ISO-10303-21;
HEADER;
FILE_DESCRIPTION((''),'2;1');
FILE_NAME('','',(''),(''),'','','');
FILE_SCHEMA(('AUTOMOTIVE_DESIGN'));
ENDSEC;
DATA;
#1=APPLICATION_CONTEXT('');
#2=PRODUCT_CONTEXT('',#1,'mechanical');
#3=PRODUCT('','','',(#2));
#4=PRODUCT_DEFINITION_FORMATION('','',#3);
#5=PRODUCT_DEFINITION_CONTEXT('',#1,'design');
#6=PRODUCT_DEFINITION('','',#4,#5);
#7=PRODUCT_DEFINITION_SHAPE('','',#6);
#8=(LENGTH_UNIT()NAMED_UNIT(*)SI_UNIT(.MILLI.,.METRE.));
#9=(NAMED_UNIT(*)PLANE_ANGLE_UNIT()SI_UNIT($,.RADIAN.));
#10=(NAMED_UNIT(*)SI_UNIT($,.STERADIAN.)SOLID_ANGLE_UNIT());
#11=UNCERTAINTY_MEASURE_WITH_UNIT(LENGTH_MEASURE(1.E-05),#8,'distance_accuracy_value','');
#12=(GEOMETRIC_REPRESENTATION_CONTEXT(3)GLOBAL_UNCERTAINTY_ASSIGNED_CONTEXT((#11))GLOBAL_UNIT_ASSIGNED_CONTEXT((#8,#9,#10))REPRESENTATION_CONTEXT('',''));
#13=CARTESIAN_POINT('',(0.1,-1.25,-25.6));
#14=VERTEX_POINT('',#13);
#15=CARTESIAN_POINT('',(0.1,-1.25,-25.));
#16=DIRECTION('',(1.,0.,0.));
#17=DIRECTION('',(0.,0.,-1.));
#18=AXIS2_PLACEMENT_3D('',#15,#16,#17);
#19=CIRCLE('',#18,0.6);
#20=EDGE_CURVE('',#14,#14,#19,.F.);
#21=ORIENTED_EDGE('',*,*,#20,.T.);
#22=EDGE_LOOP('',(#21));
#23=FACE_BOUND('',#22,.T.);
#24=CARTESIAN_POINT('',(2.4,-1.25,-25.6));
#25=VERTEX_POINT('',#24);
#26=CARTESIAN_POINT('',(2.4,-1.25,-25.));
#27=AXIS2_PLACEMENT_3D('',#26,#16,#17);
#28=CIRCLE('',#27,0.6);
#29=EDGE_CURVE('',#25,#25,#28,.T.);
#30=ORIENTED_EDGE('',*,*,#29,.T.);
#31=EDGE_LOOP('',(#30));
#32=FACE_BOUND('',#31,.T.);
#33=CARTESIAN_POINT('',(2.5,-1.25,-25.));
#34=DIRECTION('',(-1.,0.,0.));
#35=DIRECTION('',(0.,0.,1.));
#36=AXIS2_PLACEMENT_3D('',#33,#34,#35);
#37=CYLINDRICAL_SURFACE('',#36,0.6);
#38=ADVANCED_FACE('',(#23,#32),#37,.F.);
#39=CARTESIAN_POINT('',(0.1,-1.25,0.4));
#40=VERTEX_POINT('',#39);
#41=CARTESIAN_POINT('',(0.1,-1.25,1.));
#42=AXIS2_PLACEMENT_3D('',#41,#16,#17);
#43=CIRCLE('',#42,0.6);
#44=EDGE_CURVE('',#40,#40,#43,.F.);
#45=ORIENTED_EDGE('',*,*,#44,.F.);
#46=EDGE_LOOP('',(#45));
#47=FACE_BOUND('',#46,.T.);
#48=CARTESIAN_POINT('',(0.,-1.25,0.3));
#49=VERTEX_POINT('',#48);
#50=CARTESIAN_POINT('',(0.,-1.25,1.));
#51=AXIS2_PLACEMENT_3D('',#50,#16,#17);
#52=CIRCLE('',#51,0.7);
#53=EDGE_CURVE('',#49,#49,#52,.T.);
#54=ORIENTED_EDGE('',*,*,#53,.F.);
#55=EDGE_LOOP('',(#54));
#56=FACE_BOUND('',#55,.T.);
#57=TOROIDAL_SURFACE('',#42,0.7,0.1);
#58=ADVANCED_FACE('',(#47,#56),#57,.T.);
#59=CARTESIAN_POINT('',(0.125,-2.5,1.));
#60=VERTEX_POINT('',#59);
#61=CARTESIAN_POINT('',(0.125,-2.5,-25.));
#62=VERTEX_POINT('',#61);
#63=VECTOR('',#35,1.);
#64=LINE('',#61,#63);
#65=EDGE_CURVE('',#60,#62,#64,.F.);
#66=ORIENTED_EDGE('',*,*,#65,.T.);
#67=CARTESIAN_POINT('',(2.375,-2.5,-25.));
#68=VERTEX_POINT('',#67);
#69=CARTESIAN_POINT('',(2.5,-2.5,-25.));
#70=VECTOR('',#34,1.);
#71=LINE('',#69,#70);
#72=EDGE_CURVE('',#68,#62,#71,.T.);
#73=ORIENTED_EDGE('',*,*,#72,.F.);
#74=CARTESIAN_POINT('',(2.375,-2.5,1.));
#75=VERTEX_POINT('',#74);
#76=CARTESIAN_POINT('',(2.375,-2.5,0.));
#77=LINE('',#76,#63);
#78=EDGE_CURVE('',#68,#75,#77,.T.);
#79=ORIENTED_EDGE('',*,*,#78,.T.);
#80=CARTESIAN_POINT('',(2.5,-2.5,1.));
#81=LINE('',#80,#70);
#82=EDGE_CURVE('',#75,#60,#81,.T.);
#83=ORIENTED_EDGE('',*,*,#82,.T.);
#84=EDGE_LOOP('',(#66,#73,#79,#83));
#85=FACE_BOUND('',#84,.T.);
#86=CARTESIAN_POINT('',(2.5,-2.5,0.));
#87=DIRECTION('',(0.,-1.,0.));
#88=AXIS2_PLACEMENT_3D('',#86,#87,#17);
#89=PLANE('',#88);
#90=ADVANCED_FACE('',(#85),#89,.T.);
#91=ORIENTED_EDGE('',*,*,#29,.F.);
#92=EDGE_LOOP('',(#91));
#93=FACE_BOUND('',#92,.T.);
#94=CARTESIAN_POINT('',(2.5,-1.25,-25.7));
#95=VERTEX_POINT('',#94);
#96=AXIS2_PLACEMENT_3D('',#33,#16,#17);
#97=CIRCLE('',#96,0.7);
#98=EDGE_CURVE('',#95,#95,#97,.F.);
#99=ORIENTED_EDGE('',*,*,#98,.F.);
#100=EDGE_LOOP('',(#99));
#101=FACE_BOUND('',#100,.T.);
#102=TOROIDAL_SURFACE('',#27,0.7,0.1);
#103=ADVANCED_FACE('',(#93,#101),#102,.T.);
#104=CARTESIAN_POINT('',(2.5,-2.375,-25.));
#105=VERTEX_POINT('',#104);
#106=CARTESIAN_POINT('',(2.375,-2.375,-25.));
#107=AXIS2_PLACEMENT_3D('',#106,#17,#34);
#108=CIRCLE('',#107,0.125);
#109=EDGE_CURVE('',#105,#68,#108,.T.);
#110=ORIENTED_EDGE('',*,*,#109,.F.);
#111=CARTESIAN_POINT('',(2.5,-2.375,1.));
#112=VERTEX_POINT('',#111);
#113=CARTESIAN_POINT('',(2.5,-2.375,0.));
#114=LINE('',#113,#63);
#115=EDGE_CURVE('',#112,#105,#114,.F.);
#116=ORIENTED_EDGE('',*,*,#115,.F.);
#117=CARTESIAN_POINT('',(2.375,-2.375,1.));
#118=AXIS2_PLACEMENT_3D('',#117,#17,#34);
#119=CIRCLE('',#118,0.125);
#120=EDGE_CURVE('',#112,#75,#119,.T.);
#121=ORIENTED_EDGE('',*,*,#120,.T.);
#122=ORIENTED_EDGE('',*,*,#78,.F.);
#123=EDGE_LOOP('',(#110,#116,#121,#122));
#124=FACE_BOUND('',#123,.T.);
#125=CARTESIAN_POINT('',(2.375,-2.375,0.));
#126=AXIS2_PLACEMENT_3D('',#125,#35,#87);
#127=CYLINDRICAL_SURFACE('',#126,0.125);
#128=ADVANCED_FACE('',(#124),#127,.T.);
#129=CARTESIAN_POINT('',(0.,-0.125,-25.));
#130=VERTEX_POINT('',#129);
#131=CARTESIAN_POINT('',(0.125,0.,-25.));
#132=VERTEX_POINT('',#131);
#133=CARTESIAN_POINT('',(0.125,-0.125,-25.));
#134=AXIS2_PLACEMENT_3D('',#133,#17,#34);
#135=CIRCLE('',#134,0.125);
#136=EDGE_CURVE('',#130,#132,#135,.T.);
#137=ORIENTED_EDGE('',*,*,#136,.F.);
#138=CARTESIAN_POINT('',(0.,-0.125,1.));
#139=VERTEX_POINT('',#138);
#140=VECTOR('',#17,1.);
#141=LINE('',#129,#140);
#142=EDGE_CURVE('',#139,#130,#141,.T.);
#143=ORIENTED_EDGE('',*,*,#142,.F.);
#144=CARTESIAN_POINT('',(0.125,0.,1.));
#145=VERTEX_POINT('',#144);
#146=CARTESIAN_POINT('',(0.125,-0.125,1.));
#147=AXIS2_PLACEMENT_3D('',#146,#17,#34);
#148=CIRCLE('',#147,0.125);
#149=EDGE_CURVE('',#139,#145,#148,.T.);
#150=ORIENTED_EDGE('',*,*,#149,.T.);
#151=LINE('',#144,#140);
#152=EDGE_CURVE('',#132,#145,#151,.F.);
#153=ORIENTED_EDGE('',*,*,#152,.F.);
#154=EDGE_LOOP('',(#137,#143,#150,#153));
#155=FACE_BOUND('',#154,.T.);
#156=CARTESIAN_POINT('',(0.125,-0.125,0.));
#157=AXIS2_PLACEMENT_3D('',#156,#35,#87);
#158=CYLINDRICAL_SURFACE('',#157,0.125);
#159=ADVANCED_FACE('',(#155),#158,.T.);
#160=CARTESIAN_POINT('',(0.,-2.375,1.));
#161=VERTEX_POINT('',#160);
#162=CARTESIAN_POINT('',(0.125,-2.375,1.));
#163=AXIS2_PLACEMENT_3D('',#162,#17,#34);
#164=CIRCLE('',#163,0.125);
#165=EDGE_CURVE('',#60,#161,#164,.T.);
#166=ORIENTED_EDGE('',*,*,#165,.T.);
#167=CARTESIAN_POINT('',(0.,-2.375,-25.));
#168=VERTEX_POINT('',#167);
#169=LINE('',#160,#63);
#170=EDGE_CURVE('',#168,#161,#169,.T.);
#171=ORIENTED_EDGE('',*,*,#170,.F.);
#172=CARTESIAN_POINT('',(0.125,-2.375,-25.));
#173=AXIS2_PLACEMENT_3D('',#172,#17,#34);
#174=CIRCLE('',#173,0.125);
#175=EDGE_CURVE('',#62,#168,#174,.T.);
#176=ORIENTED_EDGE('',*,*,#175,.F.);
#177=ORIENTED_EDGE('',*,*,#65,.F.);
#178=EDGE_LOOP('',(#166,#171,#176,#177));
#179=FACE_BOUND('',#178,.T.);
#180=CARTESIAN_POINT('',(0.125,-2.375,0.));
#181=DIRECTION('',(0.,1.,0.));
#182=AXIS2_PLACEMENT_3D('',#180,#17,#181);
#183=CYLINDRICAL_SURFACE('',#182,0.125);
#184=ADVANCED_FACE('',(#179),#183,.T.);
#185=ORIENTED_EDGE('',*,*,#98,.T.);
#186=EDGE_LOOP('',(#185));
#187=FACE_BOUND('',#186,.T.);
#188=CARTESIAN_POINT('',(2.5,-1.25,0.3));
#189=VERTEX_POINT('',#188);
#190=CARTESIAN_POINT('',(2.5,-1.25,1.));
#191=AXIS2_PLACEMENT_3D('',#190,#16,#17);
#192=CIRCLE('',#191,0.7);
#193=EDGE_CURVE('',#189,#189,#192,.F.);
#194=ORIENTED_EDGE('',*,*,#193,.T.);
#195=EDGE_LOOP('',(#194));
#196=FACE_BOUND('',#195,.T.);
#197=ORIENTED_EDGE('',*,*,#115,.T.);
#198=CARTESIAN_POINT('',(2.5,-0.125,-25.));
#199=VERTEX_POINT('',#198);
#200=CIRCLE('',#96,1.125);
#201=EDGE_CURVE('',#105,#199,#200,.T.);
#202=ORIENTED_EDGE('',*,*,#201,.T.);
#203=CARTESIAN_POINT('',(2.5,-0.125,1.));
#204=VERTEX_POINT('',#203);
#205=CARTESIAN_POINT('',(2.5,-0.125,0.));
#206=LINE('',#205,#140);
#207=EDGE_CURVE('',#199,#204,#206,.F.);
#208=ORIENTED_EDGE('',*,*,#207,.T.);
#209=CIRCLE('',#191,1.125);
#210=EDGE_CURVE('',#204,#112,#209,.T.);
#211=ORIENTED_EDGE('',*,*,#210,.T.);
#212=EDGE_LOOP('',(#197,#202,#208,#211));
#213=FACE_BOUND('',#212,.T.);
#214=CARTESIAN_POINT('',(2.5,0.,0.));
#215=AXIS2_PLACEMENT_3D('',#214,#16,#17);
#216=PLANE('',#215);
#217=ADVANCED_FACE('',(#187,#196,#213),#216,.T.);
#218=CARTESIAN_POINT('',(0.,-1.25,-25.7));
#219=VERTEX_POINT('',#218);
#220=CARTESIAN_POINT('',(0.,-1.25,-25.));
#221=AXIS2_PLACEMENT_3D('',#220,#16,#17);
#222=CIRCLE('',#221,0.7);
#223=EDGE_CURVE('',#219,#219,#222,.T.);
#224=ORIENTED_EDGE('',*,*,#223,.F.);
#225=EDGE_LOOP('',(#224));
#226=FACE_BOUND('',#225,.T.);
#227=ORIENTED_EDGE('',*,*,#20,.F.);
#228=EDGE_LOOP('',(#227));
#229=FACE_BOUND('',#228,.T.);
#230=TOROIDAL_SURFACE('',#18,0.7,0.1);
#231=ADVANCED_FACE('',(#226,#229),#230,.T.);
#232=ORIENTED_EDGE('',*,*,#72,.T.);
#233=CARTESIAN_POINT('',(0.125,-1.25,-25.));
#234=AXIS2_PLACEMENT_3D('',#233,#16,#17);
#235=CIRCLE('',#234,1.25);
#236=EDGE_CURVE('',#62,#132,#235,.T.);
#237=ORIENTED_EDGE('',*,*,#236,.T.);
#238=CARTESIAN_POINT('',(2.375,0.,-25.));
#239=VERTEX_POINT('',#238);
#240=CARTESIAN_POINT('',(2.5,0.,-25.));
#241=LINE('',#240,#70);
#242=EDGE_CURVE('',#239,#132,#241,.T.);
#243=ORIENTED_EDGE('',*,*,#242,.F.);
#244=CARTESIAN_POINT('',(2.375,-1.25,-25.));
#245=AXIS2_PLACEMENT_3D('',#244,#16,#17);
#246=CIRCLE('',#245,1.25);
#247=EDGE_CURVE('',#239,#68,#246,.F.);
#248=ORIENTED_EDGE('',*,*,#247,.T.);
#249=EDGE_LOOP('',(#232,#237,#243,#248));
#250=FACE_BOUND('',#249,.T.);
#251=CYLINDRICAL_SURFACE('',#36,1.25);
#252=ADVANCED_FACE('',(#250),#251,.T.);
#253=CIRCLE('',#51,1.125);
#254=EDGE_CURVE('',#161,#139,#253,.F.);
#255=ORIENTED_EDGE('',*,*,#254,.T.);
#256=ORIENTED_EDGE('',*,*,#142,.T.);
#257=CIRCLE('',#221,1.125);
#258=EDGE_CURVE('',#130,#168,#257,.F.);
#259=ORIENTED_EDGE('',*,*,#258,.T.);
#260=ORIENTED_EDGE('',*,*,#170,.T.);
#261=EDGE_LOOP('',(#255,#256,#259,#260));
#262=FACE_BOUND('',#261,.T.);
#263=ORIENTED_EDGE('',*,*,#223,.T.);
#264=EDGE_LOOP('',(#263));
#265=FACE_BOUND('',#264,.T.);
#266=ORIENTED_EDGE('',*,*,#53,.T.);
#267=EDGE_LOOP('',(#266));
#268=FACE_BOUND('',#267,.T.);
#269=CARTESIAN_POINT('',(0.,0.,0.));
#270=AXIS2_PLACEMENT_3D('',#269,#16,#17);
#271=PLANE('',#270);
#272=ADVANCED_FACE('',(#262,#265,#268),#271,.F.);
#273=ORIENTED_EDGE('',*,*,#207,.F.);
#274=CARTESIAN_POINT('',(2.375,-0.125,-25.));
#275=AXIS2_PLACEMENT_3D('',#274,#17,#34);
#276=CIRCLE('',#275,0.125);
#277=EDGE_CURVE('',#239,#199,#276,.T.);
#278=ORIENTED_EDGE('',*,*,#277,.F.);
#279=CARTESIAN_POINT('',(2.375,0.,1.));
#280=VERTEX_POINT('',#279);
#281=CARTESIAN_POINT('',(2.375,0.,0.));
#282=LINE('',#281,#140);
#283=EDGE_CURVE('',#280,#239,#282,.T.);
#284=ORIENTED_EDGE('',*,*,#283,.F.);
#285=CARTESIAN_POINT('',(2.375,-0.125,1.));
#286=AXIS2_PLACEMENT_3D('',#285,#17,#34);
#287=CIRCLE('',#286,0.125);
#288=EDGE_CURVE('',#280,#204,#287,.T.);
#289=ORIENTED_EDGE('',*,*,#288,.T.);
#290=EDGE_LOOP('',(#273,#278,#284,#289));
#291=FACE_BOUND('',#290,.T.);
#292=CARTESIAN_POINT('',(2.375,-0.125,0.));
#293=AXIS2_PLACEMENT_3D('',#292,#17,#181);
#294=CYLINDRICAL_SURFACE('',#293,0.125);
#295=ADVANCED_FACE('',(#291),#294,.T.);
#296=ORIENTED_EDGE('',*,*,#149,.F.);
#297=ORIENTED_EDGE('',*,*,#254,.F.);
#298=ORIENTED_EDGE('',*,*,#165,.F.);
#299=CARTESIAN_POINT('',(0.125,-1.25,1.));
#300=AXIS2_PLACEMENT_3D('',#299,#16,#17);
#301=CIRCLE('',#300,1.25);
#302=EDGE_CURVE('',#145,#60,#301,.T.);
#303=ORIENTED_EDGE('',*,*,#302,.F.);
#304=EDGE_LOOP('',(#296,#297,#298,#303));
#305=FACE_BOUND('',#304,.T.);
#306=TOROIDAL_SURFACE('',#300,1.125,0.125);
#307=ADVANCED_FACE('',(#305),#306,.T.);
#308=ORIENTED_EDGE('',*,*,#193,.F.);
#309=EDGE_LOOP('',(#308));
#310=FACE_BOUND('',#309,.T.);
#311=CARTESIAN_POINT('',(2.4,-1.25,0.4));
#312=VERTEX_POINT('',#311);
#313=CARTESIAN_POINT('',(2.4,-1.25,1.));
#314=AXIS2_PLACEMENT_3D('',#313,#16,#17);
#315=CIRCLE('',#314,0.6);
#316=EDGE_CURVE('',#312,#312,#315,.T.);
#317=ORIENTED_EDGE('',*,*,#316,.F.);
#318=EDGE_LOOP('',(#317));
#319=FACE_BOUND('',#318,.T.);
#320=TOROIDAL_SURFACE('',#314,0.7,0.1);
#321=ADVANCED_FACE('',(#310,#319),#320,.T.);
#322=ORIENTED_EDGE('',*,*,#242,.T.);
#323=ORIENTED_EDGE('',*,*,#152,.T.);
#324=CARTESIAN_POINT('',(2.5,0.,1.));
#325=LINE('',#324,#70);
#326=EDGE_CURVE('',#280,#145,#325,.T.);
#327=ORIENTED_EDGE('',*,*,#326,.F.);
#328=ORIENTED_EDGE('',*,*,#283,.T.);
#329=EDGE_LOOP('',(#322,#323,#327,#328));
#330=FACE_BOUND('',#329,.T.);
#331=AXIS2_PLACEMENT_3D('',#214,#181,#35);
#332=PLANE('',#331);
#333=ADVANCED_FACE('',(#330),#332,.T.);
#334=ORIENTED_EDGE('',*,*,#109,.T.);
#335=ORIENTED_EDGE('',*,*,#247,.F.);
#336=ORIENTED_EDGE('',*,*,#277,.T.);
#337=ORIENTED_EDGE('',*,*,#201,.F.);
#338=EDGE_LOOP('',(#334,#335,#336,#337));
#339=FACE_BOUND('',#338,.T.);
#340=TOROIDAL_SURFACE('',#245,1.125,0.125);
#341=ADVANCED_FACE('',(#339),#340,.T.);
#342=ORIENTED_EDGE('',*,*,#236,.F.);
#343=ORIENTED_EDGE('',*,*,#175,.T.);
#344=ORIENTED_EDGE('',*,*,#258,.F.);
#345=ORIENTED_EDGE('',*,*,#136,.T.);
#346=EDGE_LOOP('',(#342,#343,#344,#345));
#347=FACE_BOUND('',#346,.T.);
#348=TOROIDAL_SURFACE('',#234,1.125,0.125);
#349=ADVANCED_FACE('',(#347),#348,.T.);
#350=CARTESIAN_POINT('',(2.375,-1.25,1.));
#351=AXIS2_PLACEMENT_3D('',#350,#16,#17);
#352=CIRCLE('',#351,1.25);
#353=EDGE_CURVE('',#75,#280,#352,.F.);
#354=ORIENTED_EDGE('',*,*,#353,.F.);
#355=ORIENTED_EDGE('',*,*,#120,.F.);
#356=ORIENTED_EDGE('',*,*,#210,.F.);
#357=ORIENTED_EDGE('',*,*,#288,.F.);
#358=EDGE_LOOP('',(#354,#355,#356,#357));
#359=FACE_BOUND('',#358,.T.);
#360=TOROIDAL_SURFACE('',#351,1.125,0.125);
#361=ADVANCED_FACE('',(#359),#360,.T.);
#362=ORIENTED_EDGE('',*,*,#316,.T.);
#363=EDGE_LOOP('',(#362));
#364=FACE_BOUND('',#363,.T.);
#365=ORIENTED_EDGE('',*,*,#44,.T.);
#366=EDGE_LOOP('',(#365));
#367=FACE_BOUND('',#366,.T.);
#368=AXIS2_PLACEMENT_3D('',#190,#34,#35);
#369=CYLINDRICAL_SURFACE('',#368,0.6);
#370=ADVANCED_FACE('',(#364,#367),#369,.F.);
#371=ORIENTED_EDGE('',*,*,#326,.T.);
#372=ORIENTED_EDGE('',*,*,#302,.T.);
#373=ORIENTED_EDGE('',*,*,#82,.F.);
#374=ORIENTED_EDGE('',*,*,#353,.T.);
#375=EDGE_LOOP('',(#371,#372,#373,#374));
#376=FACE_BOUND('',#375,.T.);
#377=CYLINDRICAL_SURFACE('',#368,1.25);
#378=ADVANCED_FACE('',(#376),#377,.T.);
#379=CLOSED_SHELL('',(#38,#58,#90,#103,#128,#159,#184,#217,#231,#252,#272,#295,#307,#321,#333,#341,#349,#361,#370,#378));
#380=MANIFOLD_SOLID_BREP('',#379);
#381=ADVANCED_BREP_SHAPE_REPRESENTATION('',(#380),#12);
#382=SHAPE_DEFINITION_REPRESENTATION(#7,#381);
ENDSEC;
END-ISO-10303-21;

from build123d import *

# Parameters (mm, degrees)
SKETCH1_R           = 0.6
BOSS_EXTRUDE1_DEPTH = 2.5
FILLET1_R           = 0.125
FILLET2_R           = 0.1


with BuildPart() as part:
    # Sketch1 → Boss-Extrude1 (new body)
    with BuildSketch(Plane(origin=(0, 0, 0), x_dir=(0, 0, -1), z_dir=(1, 0, 0))):
        with BuildLine():
            ThreePointArc((25, 0), (26.25, -1.25), (25, -2.5))
            Line((25, -2.5), (24, -2.5))
            Line((24, -2.5), (0, -2.5))
            Line((0, -2.5), (-1, -2.5))
            ThreePointArc((-1, -2.5), (-2.25, -1.25), (-1, 0))
            Line((-1, 0), (0, 0))
            Line((0, 0), (24, 0))
            Line((24, 0), (25, 0))
        make_face()
        with Locations((25, -1.25)):
            Circle(SKETCH1_R, mode=Mode.SUBTRACT)
        with Locations((-1, -1.25)):
            Circle(SKETCH1_R, mode=Mode.SUBTRACT)
    extrude(amount=BOSS_EXTRUDE1_DEPTH)

    # Fillet1
    fillet1_edges = [part.edges().sort_by_distance(p)[0] for p in [
        (0, -1.25, 2.25),
        (0, 0, -12),
        (0, -1.25, -26.25),
        (2.5, 0, -12),
        (2.5, -1.25, 2.25),
        (2.5, -2.5, -12),
        (2.5, -1.25, -26.25),
        (0, -2.5, -12),
    ]]
    fillet(fillet1_edges, radius=FILLET1_R)

    # Fillet2
    fillet2_edges = [part.edges().sort_by_distance(p)[0] for p in [
        (2.5, -1.25, -24.4),
        (2.5, -1.25, 1.6),
        (0, -1.25, 1.6),
        (0, -1.25, -24.4),
    ]]
    fillet(fillet2_edges, radius=FILLET2_R)


solid = part.part
